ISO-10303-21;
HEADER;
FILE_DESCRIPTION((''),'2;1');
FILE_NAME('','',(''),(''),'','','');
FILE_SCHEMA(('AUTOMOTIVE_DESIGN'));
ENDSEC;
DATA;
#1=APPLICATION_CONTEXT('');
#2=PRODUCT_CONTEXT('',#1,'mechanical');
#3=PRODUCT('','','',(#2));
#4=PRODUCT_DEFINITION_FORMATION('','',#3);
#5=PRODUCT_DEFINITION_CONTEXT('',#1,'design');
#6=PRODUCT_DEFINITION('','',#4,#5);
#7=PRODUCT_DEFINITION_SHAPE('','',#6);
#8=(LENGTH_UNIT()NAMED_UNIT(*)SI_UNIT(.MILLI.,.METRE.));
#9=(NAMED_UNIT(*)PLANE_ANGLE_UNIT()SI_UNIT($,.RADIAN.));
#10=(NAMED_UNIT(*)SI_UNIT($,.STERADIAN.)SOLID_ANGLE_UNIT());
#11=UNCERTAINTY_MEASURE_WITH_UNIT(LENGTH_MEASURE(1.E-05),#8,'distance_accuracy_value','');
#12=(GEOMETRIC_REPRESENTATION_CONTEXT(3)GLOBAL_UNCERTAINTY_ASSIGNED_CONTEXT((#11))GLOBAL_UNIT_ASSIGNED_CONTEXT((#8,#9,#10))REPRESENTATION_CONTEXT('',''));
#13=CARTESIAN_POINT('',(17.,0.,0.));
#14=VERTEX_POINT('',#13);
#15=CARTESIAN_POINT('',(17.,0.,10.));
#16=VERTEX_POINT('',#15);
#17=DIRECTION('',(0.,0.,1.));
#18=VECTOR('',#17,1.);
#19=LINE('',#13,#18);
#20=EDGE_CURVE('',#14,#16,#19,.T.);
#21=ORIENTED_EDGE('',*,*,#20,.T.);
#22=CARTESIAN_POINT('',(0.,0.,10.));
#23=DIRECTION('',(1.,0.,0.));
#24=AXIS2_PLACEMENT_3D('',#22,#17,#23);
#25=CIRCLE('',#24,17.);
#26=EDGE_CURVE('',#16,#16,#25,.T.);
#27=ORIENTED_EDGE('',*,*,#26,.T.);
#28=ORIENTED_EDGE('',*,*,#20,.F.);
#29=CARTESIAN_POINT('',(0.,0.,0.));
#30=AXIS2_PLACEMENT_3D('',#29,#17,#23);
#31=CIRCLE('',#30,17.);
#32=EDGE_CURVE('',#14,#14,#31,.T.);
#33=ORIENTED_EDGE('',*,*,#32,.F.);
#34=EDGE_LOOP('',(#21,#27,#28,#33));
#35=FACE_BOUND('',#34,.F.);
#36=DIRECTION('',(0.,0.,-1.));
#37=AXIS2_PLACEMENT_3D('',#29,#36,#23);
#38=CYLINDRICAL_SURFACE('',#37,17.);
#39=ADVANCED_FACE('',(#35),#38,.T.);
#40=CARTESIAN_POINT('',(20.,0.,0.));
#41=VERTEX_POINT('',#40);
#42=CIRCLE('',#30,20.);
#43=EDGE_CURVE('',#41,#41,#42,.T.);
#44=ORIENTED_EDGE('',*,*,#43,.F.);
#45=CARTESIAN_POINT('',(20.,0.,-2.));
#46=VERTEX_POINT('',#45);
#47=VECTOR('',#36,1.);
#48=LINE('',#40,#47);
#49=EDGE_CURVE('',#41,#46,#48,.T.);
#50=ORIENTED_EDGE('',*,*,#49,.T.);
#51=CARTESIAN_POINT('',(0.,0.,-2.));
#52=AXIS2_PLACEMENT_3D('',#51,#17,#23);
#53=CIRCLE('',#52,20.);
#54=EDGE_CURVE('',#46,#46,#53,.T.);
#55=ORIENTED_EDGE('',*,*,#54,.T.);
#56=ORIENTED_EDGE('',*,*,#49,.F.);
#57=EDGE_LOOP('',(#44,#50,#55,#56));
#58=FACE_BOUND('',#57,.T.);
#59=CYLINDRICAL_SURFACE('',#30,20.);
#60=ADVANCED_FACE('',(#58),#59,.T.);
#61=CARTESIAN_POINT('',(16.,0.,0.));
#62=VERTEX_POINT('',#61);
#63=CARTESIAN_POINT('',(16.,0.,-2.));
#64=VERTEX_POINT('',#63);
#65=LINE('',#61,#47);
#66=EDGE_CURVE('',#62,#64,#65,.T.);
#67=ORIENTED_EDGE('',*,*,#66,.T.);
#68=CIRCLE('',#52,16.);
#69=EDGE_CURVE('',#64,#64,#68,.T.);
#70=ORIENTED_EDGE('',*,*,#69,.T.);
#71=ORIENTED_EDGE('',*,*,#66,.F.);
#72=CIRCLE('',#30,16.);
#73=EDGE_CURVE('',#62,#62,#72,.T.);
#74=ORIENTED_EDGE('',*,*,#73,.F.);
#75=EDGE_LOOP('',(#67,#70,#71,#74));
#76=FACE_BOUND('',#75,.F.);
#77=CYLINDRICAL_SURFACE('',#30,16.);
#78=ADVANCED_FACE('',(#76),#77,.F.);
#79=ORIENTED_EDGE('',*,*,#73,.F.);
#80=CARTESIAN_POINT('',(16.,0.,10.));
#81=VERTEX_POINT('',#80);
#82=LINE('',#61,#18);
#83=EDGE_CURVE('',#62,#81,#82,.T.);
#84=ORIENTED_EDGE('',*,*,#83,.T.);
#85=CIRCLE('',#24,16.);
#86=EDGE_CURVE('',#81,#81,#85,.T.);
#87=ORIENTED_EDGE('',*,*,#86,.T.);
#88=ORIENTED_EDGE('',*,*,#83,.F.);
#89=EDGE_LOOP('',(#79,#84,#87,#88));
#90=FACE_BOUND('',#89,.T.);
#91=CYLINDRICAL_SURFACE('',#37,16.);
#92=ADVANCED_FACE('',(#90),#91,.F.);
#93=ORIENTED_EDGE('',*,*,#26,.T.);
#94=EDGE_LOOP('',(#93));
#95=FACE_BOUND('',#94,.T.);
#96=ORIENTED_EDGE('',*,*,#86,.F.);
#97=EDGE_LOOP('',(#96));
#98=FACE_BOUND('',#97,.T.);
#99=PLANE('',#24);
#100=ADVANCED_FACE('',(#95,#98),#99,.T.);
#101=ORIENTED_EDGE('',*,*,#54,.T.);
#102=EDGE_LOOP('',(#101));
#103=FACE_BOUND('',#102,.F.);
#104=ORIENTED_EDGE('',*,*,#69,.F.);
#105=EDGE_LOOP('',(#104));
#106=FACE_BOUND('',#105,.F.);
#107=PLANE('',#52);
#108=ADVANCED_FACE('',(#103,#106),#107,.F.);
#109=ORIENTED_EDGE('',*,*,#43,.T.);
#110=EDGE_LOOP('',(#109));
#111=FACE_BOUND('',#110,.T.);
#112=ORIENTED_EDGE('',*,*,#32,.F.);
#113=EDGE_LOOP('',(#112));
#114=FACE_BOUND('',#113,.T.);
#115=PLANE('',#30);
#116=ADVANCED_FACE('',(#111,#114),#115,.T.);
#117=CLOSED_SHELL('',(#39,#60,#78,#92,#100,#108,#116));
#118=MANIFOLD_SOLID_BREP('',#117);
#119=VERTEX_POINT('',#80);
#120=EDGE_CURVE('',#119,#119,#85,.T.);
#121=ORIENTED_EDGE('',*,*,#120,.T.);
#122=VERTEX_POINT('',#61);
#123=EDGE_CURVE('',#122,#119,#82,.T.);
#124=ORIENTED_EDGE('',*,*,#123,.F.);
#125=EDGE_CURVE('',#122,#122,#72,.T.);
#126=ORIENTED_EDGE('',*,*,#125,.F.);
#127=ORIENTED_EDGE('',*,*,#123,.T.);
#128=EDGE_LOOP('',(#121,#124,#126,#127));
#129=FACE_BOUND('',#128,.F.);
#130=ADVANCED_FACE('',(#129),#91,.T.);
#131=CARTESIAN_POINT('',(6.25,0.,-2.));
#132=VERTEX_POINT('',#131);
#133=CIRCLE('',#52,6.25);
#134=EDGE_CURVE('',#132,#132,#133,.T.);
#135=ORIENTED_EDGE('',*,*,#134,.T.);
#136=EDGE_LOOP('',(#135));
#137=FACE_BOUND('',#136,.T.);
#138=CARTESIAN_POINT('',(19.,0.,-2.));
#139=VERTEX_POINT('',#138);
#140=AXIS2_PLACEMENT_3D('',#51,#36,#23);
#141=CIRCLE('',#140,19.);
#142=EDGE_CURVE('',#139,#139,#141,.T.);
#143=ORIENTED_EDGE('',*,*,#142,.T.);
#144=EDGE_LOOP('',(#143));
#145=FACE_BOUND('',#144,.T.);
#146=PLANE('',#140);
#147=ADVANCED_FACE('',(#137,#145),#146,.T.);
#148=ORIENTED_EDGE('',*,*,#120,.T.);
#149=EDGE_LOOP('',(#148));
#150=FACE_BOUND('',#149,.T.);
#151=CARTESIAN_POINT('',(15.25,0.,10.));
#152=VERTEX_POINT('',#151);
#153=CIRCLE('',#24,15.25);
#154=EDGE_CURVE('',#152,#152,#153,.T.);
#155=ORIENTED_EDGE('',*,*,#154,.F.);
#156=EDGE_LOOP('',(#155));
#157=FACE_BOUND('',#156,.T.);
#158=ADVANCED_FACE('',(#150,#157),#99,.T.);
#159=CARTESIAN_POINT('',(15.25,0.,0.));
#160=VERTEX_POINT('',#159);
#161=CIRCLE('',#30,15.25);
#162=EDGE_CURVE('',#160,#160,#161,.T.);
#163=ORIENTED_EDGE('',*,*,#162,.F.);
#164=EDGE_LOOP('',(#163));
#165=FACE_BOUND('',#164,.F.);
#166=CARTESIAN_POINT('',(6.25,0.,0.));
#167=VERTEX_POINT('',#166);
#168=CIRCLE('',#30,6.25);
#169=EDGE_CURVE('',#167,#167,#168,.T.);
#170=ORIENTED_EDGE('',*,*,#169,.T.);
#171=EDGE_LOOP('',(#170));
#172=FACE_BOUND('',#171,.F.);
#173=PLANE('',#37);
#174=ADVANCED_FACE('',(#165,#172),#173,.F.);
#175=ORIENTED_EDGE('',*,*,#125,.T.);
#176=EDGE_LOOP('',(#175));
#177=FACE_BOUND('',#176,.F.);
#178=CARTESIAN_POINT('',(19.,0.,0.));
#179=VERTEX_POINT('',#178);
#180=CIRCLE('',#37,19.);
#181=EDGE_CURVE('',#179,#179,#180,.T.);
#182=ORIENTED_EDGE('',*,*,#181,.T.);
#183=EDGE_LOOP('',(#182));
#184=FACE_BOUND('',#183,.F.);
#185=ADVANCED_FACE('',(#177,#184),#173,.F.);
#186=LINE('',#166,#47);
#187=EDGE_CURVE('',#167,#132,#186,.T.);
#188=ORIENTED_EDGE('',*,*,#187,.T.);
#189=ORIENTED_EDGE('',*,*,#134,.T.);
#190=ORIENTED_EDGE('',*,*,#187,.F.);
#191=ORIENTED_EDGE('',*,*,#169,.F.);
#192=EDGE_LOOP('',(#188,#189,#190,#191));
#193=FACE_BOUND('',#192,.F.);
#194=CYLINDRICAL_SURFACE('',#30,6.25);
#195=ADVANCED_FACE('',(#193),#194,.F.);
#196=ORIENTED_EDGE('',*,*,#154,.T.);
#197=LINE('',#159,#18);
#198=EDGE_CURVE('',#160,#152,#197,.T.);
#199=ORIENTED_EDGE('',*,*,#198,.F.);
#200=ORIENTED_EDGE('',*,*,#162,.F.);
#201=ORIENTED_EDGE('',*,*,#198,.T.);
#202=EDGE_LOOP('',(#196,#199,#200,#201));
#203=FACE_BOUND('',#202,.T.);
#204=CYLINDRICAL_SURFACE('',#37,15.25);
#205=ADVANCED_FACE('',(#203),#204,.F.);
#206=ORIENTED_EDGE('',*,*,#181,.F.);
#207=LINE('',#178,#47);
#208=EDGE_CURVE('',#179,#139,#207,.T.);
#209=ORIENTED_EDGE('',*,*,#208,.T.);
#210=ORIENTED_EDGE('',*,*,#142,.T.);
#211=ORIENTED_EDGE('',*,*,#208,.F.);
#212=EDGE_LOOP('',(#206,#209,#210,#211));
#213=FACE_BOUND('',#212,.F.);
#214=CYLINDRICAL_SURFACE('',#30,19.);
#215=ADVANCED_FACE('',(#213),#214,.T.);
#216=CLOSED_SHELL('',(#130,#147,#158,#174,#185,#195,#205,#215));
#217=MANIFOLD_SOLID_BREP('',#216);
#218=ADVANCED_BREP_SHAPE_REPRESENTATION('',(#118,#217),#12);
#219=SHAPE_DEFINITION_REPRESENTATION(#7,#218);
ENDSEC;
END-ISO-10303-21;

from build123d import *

# Parameters (mm, degrees)
SKETCH_R             = 16
SKETCH_R_2           = 15.25
PAD_DEPTH            = 10
SKETCH001_R          = 19
PAD003_DEPTH         = 2
SKETCH005_R          = 6.25
POCKET004_DEPTH      = 2.001
POCKET004_DEPTH_BACK = -10.001
SKETCH006_R          = 17
SKETCH006_R_2        = 16
PAD001_DEPTH         = 10
SKETCH007_R          = 20
SKETCH007_R_2        = 16
PAD002_DEPTH         = 2


with BuildPart() as insert:
    # Sketch → Pad (new body)
    with BuildSketch(Plane.XY):
        Circle(SKETCH_R)
        Circle(SKETCH_R_2, mode=Mode.SUBTRACT)
    extrude(amount=PAD_DEPTH)

    # Sketch001 (on Face3 of Pad) → Pad003 (join)
    with BuildSketch(Plane(origin=(0, 0, 0), x_dir=(1, 0, 0), z_dir=(0, 0, -1))):
        Circle(SKETCH001_R)
    extrude(amount=PAD003_DEPTH)

    # Sketch005 → Pocket004 (cut, two sides)
    with BuildSketch(Plane.XY) as pocket004_sk:
        Circle(SKETCH005_R)
    extrude(amount=-POCKET004_DEPTH, mode=Mode.SUBTRACT)
    extrude(pocket004_sk.sketch, amount=-POCKET004_DEPTH_BACK, mode=Mode.SUBTRACT)


with BuildPart() as rim:
    # Sketch006 → Pad001 (new body)
    with BuildSketch(Plane.XY):
        Circle(SKETCH006_R)
        Circle(SKETCH006_R_2, mode=Mode.SUBTRACT)
    extrude(amount=PAD001_DEPTH)

    # Sketch007 → Pad002 (join)
    with BuildSketch(Plane.XY):
        Circle(SKETCH007_R)
        Circle(SKETCH007_R_2, mode=Mode.SUBTRACT)
    extrude(amount=-PAD002_DEPTH)


solid = Compound([insert.part, rim.part])
